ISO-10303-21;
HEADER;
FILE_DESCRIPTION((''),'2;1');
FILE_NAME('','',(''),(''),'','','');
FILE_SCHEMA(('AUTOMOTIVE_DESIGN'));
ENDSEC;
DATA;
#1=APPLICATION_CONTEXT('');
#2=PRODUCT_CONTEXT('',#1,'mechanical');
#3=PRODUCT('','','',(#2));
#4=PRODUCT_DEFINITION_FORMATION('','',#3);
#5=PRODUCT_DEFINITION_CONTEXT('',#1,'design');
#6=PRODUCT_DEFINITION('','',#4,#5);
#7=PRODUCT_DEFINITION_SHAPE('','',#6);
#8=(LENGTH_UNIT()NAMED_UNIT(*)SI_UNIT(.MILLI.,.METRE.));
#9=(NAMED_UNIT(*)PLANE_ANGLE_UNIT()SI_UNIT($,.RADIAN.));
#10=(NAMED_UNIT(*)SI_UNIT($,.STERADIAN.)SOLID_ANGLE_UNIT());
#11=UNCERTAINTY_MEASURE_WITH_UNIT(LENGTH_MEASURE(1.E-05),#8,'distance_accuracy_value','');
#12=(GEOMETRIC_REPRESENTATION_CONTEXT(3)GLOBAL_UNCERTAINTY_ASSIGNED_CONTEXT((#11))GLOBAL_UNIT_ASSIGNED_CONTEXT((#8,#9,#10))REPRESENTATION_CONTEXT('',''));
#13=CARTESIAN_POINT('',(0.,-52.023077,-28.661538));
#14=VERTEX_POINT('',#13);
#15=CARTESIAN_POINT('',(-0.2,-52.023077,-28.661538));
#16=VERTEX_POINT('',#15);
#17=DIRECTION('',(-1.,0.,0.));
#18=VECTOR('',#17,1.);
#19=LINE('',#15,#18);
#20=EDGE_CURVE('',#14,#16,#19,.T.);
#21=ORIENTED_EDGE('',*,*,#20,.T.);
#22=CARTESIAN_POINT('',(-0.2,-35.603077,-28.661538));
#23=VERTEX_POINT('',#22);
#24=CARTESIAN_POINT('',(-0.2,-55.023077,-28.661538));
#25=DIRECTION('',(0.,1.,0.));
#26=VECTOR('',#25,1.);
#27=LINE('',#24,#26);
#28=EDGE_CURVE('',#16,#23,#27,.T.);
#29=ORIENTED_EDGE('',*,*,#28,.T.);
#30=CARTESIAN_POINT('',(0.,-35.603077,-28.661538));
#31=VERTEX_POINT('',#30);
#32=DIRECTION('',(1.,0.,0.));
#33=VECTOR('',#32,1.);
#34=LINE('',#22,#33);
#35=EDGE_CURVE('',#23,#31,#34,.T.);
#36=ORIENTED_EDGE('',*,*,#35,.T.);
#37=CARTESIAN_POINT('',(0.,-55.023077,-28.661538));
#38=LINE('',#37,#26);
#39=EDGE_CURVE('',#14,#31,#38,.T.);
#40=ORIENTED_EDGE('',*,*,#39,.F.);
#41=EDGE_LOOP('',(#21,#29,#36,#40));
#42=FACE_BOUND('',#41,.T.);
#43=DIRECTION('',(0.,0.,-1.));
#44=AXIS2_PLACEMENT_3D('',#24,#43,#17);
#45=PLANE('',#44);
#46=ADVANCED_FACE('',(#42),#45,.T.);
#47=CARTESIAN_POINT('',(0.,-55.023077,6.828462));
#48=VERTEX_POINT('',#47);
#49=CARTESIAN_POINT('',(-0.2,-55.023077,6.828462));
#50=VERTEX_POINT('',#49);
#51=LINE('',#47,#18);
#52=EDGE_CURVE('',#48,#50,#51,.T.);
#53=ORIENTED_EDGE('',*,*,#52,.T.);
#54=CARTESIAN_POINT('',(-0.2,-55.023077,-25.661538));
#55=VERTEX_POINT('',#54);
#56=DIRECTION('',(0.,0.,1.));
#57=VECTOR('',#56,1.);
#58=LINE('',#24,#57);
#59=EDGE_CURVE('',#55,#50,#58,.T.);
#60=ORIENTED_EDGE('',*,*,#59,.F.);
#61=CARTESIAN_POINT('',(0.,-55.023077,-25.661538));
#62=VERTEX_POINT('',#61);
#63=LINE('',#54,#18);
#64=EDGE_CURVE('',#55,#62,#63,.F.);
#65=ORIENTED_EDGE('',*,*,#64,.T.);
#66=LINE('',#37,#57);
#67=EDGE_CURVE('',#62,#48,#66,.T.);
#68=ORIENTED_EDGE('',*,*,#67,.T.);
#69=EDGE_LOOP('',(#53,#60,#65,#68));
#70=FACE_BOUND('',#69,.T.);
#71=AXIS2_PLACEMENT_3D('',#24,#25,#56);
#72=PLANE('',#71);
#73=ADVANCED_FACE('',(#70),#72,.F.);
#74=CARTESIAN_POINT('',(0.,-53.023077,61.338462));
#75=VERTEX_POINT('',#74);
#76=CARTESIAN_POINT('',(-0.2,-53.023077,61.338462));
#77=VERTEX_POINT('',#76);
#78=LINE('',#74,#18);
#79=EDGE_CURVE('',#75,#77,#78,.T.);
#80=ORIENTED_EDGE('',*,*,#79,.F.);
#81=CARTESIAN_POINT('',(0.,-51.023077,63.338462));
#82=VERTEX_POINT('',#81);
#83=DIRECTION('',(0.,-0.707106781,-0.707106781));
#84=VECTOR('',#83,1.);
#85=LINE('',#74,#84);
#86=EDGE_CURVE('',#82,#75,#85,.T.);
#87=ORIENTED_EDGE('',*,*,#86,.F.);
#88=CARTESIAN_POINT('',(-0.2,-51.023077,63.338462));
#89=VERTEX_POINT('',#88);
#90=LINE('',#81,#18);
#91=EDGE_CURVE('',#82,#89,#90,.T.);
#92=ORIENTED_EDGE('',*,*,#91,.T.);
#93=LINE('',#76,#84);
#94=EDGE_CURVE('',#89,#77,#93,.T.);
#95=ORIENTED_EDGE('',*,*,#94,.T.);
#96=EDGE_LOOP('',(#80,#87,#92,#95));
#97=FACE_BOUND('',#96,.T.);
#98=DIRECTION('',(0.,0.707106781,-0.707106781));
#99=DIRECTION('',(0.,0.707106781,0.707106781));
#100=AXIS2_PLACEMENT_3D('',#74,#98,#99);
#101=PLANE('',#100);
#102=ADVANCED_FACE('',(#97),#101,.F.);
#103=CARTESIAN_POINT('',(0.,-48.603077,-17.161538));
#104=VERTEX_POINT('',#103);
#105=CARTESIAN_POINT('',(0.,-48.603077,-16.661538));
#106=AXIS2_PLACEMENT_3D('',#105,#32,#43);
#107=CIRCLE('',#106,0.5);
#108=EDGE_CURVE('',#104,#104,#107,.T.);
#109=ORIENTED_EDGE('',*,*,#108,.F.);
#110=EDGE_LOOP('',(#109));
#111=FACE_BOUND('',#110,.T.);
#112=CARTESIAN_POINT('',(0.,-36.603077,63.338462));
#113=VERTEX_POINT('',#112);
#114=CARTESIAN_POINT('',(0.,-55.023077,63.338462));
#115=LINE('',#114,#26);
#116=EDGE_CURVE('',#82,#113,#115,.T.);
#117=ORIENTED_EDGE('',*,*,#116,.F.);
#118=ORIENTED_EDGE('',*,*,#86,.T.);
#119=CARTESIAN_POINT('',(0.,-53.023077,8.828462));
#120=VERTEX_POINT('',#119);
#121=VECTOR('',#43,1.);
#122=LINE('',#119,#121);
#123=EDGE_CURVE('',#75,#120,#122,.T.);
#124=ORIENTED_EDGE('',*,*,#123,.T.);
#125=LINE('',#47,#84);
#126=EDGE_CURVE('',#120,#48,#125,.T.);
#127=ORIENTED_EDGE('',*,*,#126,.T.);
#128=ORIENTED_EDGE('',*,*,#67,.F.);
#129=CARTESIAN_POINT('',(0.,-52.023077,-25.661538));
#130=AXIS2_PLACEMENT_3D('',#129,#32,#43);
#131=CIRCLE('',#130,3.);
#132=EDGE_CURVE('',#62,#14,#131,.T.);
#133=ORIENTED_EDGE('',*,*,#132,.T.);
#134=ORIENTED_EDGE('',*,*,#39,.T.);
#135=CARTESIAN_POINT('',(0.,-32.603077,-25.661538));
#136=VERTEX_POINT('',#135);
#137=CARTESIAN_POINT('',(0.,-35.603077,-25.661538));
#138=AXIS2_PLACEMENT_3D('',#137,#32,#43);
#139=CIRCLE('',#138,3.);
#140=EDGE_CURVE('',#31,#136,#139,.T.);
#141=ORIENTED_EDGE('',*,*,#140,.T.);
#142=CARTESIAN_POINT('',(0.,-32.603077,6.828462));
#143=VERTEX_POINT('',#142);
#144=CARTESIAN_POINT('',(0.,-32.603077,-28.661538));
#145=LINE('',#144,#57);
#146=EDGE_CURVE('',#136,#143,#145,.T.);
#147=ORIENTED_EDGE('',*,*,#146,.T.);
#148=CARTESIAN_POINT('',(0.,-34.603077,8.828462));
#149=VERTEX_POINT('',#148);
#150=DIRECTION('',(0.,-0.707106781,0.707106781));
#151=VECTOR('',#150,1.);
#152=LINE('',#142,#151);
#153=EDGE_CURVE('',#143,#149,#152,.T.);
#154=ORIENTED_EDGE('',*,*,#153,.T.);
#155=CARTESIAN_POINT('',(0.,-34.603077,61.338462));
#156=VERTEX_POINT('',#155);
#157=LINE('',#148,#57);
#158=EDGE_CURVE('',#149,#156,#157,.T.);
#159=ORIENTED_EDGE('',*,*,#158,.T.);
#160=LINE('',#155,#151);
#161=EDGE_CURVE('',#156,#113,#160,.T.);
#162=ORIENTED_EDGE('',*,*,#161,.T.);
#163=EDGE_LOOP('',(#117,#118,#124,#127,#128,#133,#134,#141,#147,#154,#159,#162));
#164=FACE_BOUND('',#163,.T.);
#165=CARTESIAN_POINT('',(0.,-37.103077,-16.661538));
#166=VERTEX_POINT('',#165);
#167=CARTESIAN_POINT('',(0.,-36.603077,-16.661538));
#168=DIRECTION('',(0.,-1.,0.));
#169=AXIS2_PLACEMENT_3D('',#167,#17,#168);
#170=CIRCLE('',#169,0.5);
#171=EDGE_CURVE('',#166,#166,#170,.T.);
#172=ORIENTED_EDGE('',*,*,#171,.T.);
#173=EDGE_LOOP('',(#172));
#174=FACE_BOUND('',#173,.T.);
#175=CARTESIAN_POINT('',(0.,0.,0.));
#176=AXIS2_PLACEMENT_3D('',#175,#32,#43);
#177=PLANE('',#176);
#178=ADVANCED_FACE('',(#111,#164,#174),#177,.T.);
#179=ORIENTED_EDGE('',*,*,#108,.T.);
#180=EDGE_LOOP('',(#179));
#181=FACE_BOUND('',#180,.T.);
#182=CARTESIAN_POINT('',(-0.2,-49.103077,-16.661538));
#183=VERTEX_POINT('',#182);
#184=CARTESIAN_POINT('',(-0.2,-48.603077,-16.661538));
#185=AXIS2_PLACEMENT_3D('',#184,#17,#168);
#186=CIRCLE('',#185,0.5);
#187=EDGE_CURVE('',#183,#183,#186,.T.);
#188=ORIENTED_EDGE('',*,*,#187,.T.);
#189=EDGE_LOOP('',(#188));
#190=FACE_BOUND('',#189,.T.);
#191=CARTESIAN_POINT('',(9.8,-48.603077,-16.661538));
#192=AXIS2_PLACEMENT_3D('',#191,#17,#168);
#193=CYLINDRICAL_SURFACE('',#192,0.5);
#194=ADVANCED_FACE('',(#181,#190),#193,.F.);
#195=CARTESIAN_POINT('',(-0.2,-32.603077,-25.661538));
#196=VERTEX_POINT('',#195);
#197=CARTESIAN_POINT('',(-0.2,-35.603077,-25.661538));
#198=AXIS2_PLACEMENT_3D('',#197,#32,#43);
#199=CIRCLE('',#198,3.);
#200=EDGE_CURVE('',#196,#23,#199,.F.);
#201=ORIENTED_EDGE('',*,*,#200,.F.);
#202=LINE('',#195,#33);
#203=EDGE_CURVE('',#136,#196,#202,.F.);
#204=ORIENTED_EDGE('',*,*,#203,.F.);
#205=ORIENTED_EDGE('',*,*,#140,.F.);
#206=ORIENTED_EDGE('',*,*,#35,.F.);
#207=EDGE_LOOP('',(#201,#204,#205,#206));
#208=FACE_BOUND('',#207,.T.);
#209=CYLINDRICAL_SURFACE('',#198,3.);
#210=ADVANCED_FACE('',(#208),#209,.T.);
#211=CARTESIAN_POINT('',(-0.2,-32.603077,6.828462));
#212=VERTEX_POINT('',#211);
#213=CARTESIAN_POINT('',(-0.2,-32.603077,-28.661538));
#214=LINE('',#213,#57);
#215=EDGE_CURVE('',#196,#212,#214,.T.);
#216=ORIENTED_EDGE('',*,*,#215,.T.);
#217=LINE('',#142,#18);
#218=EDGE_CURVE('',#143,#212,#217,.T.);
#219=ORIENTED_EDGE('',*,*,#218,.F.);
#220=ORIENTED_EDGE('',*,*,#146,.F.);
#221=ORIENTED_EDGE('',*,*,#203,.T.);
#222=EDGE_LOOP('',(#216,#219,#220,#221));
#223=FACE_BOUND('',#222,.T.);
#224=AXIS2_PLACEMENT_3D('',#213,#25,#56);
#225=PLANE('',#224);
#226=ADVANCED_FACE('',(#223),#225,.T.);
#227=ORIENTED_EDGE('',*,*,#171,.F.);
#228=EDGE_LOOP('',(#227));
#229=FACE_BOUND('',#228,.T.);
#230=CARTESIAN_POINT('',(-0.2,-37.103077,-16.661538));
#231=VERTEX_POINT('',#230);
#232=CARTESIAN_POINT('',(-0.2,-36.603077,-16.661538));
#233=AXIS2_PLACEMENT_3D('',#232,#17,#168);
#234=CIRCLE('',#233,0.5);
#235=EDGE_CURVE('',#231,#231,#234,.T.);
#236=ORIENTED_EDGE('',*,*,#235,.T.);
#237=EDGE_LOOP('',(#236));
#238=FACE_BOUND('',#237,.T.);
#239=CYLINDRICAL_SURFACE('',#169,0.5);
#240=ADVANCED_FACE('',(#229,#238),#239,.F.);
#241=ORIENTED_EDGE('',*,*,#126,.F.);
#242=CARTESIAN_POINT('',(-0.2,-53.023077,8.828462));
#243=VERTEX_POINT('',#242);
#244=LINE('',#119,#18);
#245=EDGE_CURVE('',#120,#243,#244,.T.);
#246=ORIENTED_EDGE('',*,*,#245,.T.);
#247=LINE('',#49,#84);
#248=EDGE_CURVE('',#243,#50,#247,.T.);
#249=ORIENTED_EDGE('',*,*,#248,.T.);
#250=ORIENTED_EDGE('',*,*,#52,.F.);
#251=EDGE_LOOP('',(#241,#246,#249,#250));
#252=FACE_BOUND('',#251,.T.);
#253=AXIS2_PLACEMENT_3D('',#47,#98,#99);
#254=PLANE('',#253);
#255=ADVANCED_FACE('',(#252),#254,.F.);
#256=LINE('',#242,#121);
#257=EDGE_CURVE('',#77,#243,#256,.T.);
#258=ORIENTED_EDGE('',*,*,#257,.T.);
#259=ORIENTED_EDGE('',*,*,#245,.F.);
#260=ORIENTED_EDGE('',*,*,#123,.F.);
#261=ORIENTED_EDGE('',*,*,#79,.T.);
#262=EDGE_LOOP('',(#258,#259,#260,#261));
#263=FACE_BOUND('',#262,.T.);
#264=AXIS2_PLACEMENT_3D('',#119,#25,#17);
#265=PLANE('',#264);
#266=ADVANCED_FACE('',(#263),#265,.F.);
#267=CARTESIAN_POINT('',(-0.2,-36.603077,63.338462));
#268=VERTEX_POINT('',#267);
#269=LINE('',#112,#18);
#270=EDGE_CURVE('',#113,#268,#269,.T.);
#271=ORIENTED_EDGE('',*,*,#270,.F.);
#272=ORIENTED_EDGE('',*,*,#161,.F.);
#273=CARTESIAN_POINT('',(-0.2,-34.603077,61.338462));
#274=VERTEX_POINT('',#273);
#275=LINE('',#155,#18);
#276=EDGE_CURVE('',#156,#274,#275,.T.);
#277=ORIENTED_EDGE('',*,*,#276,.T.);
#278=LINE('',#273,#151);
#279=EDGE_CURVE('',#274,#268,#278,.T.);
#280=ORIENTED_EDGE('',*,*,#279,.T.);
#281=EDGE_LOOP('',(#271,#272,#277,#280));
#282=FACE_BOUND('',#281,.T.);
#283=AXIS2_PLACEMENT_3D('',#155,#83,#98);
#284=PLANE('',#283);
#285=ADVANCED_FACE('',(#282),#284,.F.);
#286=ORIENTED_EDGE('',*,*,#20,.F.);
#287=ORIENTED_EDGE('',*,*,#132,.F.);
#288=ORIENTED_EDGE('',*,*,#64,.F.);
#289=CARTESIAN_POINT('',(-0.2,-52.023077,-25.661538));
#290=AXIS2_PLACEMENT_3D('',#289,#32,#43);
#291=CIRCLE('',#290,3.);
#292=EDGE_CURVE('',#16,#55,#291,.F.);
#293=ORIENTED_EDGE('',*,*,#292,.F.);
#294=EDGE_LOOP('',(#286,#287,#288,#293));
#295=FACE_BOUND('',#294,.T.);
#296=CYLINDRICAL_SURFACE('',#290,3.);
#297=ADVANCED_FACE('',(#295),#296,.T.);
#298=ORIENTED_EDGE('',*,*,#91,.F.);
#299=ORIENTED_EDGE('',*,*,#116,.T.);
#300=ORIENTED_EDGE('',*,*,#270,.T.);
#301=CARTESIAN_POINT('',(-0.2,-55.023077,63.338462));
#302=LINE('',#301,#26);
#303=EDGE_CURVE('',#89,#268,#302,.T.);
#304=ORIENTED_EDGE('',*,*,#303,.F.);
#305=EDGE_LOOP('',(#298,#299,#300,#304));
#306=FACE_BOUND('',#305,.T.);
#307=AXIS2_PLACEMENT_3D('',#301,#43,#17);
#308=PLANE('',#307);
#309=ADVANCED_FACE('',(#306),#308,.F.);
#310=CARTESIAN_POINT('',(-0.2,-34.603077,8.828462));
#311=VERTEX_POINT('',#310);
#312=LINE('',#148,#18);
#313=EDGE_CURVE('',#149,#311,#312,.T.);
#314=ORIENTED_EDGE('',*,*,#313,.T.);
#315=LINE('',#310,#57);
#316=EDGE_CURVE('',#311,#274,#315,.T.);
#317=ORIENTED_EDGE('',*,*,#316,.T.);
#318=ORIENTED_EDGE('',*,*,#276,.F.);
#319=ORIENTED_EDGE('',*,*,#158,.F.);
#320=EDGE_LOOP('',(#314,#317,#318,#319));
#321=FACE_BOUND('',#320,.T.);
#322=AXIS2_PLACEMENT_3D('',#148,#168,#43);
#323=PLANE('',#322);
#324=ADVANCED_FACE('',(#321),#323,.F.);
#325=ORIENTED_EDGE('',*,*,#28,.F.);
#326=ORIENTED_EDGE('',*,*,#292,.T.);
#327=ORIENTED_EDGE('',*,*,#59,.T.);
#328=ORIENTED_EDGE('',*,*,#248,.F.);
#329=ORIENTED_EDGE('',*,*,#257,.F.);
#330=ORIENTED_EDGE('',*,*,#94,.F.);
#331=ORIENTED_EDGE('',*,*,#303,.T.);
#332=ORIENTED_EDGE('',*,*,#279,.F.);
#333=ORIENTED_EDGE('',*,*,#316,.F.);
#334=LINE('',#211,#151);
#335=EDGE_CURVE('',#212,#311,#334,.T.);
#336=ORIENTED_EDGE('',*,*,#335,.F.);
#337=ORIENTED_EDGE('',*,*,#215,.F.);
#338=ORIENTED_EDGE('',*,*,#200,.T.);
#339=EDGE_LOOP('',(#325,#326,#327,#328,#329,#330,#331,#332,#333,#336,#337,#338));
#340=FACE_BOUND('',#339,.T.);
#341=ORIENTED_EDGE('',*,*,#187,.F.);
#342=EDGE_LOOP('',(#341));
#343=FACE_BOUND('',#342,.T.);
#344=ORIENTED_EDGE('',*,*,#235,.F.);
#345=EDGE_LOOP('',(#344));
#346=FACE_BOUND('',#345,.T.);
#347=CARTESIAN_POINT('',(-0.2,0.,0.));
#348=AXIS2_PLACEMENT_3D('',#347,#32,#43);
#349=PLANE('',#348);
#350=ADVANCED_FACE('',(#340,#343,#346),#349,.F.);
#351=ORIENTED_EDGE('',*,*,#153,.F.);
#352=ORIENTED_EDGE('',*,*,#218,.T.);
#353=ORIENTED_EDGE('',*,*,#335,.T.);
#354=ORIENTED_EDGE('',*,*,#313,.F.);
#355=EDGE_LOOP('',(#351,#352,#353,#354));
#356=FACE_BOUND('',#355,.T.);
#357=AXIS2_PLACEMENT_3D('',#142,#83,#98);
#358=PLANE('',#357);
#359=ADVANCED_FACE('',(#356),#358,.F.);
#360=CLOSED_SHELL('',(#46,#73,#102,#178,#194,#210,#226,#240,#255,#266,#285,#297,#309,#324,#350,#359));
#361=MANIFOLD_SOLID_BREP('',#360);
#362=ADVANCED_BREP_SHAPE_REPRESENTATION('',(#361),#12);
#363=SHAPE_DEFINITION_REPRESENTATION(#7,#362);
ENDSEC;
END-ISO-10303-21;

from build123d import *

# Parameters (mm, degrees)
SKETCH2_W           = 22.42
SKETCH2_H           = 92
BOSS_EXTRUDE2_DEPTH = 0.2
FILLET4_R           = 3
FILLET7_R           = 3
SKETCH4_W           = 2
SKETCH4_H           = 54.51
CUT_EXTRUDE1_DEPTH  = 0.2
SKETCH5_W           = 2
SKETCH5_H           = 54.51
CUT_EXTRUDE2_DEPTH  = 0.2
CUT_EXTRUDE3_DEPTH  = 0.2
CUT_EXTRUDE4_DEPTH  = 0.2
CUT_EXTRUDE7_DEPTH  = 0.2
CUT_EXTRUDE8_DEPTH  = 0.2
SKETCH13_R          = 0.5
CUT_EXTRUDE12_DEPTH = 10
SKETCH15_R          = 0.5
CUT_EXTRUDE13_DEPTH = 0.2


with BuildPart() as part:
    # Sketch2 → Boss-Extrude2 (new body)
    with BuildSketch(Plane(origin=(0, 0, 0), x_dir=(0, 1, 0), z_dir=(-1, 0, 0))):
        with Locations((-43.813076923, -17.338461538)):
            Rectangle(SKETCH2_W, SKETCH2_H)
    extrude(amount=BOSS_EXTRUDE2_DEPTH)

    # Fillet4
    fillet4_edges = [part.edges().sort_by_distance(p)[0] for p in [
        (-0.1, -55.023076923, -28.661538462),
    ]]
    fillet(fillet4_edges, radius=FILLET4_R)

    # Fillet7
    fillet7_edges = [part.edges().sort_by_distance(p)[0] for p in [
        (-0.1, -32.603076923, -28.661538462),
    ]]
    fillet(fillet7_edges, radius=FILLET7_R)

    # Sketch4 → Cut-Extrude1 (cut)
    with BuildSketch(Plane(origin=(-0.2, 0, 0), x_dir=(0, 1, 0), z_dir=(-1, 0, 0))):
        with Locations((-54.023076923, -36.083461538)):
            Rectangle(SKETCH4_W, SKETCH4_H)
    extrude(amount=-CUT_EXTRUDE1_DEPTH, mode=Mode.SUBTRACT)

    # Sketch5 → Cut-Extrude2 (cut)
    with BuildSketch(Plane(origin=(-0.2, 0, 0), x_dir=(0, 1, 0), z_dir=(-1, 0, 0))):
        with Locations((-33.603076923, -36.083461538)):
            Rectangle(SKETCH5_W, SKETCH5_H)
    extrude(amount=-CUT_EXTRUDE2_DEPTH, mode=Mode.SUBTRACT)

    # Sketch6 → Cut-Extrude3 (cut)
    with BuildSketch(Plane(origin=(-0.2, 0, 0), x_dir=(0, 1, 0), z_dir=(-1, 0, 0))):
        Polygon((-53.023076923, -63.338461538), (-53.023076923, -61.338461538), (-51.023076923, -63.338461538), align=None)
    extrude(amount=-CUT_EXTRUDE3_DEPTH, mode=Mode.SUBTRACT)

    # Sketch7 → Cut-Extrude4 (cut)
    with BuildSketch(Plane(origin=(-0.2, 0, 0), x_dir=(0, 1, 0), z_dir=(-1, 0, 0))):
        Polygon((-34.603076923, -63.338461538), (-34.603076923, -61.338461538), (-36.603076923, -63.338461538), align=None)
    extrude(amount=-CUT_EXTRUDE4_DEPTH, mode=Mode.SUBTRACT)

    # Sketch8 → Cut-Extrude7 (cut)
    with BuildSketch(Plane(origin=(-0.2, 0, 0), x_dir=(0, 1, 0), z_dir=(-1, 0, 0))):
        Polygon((-53.023076923, -8.828461538), (-55.023076923, -8.828461538), (-55.023076923, -6.828461538), align=None)
    extrude(amount=-CUT_EXTRUDE7_DEPTH, mode=Mode.SUBTRACT)

    # Sketch9 → Cut-Extrude8 (cut)
    with BuildSketch(Plane(origin=(-0.2, 0, 0), x_dir=(0, 1, 0), z_dir=(-1, 0, 0))):
        Polygon((-34.603076923, -8.828461538), (-32.603076923, -8.828461538), (-32.603076923, -6.828461538), align=None)
    extrude(amount=-CUT_EXTRUDE8_DEPTH, mode=Mode.SUBTRACT)

    # Sketch13 → Cut-Extrude12 (cut)
    with BuildSketch(Plane(origin=(-0.2, 0, 0), x_dir=(0, 1, 0), z_dir=(-1, 0, 0))):
        with Locations(Location((-48.603076923, 16.661538462, 0), (0, 0, 180))):
            Circle(SKETCH13_R)
    extrude(amount=-CUT_EXTRUDE12_DEPTH, mode=Mode.SUBTRACT)

    # Sketch15 → Cut-Extrude13 (cut)
    with BuildSketch(Plane(origin=(-0.2, 0, 0), x_dir=(0, 1, 0), z_dir=(-1, 0, 0))):
        with Locations(Location((-36.603076923, 16.661538462, 0), (0, 0, 180))):
            Circle(SKETCH15_R)
    extrude(amount=-CUT_EXTRUDE13_DEPTH, mode=Mode.SUBTRACT)


solid = part.part
